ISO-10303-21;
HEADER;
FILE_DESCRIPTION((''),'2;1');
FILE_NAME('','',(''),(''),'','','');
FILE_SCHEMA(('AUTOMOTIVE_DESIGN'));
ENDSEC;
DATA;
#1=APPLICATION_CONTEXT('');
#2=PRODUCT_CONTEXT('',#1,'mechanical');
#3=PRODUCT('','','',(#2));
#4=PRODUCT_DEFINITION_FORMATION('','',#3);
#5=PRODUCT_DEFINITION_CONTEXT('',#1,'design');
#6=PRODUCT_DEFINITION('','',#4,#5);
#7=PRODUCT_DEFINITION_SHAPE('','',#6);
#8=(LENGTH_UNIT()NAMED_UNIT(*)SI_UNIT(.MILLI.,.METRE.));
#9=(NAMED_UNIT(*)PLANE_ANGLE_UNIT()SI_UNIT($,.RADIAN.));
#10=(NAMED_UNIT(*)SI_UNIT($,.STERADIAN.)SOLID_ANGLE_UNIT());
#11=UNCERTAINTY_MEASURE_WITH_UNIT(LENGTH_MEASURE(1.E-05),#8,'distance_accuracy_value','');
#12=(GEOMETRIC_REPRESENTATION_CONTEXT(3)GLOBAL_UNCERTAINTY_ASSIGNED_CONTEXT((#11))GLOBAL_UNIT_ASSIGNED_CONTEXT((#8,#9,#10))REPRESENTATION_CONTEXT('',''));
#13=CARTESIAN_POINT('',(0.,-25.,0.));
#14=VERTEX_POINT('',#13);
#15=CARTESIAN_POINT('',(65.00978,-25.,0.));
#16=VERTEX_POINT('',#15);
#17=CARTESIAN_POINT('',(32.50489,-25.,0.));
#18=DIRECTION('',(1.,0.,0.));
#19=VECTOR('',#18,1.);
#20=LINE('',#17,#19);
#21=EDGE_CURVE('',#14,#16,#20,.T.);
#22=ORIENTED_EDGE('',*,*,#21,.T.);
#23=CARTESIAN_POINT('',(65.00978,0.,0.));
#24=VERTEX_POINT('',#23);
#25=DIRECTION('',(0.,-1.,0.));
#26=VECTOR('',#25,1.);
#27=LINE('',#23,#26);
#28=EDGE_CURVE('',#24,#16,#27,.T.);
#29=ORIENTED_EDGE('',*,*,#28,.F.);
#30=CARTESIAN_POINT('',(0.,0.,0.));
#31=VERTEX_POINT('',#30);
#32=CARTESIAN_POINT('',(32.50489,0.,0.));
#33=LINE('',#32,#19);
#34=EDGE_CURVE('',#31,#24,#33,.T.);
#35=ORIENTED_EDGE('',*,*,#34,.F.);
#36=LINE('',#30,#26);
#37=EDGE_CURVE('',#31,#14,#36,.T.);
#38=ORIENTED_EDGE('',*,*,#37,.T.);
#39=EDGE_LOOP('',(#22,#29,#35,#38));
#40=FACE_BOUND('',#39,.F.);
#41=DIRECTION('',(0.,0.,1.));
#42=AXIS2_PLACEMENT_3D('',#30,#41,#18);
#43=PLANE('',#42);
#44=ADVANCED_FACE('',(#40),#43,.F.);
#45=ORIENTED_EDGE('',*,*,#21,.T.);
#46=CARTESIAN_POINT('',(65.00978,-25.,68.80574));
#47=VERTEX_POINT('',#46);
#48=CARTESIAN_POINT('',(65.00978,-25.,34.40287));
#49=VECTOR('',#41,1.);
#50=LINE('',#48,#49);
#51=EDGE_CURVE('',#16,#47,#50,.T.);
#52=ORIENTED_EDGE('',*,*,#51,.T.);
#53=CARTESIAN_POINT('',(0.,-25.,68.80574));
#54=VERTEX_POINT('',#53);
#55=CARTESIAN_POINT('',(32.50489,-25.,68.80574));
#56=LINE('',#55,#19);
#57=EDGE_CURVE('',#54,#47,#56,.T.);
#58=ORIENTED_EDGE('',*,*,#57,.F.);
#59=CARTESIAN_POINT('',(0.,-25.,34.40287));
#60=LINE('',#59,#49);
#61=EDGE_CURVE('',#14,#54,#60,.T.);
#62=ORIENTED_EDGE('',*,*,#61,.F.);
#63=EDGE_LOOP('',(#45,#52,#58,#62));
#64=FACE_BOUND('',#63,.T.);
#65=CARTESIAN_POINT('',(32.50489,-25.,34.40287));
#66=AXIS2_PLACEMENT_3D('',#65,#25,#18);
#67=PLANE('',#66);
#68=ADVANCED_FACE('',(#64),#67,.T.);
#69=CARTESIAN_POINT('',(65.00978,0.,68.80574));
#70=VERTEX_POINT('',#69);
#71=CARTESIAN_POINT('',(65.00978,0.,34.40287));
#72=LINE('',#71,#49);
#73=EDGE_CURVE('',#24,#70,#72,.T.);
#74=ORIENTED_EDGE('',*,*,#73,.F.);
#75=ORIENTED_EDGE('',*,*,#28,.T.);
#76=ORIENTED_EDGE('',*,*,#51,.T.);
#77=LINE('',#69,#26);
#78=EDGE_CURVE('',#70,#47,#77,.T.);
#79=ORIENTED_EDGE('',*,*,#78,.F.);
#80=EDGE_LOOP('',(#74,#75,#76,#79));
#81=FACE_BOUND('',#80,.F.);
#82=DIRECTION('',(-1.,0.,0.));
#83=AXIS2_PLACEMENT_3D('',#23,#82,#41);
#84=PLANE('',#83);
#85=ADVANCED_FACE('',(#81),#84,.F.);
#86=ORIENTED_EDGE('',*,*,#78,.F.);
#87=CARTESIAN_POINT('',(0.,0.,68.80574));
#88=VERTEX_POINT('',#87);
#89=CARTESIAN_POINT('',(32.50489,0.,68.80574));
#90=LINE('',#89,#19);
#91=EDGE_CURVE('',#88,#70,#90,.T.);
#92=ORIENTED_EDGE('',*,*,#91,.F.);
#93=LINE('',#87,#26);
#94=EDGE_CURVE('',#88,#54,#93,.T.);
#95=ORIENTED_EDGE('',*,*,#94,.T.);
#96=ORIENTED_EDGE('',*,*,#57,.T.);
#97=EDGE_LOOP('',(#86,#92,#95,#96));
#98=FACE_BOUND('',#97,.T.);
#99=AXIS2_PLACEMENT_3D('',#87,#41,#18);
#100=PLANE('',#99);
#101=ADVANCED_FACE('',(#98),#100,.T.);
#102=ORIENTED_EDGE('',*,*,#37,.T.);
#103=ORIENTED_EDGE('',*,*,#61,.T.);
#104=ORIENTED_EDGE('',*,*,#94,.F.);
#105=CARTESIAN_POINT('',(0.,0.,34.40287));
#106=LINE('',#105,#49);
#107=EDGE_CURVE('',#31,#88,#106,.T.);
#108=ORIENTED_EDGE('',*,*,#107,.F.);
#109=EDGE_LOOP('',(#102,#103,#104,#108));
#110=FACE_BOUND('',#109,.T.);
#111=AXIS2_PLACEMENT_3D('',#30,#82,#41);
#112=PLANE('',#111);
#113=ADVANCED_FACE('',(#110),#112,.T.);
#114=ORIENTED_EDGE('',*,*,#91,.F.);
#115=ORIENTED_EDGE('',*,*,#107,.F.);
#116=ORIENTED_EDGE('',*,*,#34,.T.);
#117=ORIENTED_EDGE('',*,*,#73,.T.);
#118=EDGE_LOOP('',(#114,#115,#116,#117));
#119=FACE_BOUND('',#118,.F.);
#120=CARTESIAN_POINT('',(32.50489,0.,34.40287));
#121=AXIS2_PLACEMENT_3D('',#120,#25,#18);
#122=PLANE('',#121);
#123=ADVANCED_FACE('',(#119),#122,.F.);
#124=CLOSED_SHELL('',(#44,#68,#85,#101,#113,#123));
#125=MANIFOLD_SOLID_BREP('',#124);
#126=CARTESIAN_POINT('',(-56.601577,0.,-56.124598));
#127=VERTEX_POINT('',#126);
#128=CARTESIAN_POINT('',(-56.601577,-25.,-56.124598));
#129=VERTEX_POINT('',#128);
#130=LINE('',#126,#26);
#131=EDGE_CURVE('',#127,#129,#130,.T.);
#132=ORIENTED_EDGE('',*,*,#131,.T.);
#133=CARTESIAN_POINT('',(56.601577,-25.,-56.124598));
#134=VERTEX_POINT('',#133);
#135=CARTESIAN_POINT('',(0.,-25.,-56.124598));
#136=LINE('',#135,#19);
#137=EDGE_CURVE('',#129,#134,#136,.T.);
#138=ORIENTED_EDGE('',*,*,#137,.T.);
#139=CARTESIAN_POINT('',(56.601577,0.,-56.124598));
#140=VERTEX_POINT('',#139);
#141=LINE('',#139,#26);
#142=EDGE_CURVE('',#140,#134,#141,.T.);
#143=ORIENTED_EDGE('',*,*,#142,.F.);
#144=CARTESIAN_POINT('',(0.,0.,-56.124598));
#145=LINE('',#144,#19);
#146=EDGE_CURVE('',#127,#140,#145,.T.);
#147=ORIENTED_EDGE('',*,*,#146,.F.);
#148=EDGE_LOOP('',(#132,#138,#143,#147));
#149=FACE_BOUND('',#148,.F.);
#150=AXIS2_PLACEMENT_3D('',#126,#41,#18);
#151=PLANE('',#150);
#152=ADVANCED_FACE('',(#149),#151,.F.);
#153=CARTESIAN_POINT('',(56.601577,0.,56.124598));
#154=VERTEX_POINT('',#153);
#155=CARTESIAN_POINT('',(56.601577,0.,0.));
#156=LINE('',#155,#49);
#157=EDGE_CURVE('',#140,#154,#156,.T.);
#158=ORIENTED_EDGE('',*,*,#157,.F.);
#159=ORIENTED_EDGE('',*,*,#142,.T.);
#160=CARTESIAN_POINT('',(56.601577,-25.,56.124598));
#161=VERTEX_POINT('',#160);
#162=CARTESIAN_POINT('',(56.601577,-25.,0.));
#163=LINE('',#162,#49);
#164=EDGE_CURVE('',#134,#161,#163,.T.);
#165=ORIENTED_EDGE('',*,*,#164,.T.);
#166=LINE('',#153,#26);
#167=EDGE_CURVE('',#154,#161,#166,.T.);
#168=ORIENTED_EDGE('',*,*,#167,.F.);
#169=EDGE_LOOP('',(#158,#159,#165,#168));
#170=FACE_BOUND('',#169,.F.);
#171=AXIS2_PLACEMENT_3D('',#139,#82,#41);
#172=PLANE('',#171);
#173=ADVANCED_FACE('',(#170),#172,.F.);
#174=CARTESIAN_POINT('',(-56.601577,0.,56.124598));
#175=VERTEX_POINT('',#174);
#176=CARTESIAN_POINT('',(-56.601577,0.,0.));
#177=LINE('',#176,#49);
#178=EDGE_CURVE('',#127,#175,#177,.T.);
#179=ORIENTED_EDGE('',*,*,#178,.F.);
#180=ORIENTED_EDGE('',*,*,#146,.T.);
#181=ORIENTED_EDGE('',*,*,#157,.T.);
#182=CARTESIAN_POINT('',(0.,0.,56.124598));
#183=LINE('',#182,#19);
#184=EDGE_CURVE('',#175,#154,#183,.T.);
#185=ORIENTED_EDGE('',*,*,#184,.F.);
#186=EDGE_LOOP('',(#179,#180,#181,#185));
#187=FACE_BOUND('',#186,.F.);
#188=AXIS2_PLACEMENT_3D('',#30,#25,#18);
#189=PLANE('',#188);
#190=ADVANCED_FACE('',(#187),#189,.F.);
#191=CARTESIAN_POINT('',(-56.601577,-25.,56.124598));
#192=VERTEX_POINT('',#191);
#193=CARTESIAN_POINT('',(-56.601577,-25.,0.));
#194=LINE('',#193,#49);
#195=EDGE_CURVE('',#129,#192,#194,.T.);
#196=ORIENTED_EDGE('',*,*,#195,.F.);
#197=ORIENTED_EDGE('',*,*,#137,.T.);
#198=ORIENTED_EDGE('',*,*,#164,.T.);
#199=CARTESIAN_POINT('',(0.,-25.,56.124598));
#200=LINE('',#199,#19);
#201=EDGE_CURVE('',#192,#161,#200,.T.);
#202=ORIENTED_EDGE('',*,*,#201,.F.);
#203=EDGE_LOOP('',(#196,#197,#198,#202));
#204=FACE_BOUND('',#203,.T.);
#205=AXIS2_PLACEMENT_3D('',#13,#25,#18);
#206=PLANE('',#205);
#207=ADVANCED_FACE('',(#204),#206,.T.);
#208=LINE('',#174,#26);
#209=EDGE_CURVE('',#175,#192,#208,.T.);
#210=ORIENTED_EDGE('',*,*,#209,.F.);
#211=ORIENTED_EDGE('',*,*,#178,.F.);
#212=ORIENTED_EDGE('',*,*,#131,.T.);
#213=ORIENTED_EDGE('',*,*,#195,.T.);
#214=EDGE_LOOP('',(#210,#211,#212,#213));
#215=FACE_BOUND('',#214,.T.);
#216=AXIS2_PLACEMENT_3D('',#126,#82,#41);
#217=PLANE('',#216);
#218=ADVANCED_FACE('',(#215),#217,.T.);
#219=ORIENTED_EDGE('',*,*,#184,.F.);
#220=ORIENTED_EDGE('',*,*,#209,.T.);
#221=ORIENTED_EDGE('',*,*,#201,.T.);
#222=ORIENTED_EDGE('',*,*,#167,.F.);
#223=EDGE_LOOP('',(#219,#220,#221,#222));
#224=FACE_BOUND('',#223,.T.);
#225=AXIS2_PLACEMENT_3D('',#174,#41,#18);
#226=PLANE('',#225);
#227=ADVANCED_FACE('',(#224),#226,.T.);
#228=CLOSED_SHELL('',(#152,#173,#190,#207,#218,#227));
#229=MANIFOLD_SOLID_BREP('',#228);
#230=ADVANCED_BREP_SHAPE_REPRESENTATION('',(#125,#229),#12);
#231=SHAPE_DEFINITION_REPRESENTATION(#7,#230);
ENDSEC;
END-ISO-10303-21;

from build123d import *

# Parameters (mm, degrees)
F0_W     = 65.00978
F0_H     = 68.805739
F1_DEPTH = 25
F2_W     = 113.203154
F2_H     = 112.249196
F3_DEPTH = 25


with BuildPart() as f1:
    # F0 (on Front) → F1 (new body)
    with BuildSketch(Plane.XZ):
        with Locations((32.50489, 34.40287)):
            Rectangle(F0_W, F0_H)
    extrude(amount=F1_DEPTH)


with BuildPart() as f3:
    # F2 (on Front) → F3 (new body)
    with BuildSketch(Plane.XZ):
        Rectangle(F2_W, F2_H)
    extrude(amount=F3_DEPTH)


solid = Compound([f1.part, f3.part])
